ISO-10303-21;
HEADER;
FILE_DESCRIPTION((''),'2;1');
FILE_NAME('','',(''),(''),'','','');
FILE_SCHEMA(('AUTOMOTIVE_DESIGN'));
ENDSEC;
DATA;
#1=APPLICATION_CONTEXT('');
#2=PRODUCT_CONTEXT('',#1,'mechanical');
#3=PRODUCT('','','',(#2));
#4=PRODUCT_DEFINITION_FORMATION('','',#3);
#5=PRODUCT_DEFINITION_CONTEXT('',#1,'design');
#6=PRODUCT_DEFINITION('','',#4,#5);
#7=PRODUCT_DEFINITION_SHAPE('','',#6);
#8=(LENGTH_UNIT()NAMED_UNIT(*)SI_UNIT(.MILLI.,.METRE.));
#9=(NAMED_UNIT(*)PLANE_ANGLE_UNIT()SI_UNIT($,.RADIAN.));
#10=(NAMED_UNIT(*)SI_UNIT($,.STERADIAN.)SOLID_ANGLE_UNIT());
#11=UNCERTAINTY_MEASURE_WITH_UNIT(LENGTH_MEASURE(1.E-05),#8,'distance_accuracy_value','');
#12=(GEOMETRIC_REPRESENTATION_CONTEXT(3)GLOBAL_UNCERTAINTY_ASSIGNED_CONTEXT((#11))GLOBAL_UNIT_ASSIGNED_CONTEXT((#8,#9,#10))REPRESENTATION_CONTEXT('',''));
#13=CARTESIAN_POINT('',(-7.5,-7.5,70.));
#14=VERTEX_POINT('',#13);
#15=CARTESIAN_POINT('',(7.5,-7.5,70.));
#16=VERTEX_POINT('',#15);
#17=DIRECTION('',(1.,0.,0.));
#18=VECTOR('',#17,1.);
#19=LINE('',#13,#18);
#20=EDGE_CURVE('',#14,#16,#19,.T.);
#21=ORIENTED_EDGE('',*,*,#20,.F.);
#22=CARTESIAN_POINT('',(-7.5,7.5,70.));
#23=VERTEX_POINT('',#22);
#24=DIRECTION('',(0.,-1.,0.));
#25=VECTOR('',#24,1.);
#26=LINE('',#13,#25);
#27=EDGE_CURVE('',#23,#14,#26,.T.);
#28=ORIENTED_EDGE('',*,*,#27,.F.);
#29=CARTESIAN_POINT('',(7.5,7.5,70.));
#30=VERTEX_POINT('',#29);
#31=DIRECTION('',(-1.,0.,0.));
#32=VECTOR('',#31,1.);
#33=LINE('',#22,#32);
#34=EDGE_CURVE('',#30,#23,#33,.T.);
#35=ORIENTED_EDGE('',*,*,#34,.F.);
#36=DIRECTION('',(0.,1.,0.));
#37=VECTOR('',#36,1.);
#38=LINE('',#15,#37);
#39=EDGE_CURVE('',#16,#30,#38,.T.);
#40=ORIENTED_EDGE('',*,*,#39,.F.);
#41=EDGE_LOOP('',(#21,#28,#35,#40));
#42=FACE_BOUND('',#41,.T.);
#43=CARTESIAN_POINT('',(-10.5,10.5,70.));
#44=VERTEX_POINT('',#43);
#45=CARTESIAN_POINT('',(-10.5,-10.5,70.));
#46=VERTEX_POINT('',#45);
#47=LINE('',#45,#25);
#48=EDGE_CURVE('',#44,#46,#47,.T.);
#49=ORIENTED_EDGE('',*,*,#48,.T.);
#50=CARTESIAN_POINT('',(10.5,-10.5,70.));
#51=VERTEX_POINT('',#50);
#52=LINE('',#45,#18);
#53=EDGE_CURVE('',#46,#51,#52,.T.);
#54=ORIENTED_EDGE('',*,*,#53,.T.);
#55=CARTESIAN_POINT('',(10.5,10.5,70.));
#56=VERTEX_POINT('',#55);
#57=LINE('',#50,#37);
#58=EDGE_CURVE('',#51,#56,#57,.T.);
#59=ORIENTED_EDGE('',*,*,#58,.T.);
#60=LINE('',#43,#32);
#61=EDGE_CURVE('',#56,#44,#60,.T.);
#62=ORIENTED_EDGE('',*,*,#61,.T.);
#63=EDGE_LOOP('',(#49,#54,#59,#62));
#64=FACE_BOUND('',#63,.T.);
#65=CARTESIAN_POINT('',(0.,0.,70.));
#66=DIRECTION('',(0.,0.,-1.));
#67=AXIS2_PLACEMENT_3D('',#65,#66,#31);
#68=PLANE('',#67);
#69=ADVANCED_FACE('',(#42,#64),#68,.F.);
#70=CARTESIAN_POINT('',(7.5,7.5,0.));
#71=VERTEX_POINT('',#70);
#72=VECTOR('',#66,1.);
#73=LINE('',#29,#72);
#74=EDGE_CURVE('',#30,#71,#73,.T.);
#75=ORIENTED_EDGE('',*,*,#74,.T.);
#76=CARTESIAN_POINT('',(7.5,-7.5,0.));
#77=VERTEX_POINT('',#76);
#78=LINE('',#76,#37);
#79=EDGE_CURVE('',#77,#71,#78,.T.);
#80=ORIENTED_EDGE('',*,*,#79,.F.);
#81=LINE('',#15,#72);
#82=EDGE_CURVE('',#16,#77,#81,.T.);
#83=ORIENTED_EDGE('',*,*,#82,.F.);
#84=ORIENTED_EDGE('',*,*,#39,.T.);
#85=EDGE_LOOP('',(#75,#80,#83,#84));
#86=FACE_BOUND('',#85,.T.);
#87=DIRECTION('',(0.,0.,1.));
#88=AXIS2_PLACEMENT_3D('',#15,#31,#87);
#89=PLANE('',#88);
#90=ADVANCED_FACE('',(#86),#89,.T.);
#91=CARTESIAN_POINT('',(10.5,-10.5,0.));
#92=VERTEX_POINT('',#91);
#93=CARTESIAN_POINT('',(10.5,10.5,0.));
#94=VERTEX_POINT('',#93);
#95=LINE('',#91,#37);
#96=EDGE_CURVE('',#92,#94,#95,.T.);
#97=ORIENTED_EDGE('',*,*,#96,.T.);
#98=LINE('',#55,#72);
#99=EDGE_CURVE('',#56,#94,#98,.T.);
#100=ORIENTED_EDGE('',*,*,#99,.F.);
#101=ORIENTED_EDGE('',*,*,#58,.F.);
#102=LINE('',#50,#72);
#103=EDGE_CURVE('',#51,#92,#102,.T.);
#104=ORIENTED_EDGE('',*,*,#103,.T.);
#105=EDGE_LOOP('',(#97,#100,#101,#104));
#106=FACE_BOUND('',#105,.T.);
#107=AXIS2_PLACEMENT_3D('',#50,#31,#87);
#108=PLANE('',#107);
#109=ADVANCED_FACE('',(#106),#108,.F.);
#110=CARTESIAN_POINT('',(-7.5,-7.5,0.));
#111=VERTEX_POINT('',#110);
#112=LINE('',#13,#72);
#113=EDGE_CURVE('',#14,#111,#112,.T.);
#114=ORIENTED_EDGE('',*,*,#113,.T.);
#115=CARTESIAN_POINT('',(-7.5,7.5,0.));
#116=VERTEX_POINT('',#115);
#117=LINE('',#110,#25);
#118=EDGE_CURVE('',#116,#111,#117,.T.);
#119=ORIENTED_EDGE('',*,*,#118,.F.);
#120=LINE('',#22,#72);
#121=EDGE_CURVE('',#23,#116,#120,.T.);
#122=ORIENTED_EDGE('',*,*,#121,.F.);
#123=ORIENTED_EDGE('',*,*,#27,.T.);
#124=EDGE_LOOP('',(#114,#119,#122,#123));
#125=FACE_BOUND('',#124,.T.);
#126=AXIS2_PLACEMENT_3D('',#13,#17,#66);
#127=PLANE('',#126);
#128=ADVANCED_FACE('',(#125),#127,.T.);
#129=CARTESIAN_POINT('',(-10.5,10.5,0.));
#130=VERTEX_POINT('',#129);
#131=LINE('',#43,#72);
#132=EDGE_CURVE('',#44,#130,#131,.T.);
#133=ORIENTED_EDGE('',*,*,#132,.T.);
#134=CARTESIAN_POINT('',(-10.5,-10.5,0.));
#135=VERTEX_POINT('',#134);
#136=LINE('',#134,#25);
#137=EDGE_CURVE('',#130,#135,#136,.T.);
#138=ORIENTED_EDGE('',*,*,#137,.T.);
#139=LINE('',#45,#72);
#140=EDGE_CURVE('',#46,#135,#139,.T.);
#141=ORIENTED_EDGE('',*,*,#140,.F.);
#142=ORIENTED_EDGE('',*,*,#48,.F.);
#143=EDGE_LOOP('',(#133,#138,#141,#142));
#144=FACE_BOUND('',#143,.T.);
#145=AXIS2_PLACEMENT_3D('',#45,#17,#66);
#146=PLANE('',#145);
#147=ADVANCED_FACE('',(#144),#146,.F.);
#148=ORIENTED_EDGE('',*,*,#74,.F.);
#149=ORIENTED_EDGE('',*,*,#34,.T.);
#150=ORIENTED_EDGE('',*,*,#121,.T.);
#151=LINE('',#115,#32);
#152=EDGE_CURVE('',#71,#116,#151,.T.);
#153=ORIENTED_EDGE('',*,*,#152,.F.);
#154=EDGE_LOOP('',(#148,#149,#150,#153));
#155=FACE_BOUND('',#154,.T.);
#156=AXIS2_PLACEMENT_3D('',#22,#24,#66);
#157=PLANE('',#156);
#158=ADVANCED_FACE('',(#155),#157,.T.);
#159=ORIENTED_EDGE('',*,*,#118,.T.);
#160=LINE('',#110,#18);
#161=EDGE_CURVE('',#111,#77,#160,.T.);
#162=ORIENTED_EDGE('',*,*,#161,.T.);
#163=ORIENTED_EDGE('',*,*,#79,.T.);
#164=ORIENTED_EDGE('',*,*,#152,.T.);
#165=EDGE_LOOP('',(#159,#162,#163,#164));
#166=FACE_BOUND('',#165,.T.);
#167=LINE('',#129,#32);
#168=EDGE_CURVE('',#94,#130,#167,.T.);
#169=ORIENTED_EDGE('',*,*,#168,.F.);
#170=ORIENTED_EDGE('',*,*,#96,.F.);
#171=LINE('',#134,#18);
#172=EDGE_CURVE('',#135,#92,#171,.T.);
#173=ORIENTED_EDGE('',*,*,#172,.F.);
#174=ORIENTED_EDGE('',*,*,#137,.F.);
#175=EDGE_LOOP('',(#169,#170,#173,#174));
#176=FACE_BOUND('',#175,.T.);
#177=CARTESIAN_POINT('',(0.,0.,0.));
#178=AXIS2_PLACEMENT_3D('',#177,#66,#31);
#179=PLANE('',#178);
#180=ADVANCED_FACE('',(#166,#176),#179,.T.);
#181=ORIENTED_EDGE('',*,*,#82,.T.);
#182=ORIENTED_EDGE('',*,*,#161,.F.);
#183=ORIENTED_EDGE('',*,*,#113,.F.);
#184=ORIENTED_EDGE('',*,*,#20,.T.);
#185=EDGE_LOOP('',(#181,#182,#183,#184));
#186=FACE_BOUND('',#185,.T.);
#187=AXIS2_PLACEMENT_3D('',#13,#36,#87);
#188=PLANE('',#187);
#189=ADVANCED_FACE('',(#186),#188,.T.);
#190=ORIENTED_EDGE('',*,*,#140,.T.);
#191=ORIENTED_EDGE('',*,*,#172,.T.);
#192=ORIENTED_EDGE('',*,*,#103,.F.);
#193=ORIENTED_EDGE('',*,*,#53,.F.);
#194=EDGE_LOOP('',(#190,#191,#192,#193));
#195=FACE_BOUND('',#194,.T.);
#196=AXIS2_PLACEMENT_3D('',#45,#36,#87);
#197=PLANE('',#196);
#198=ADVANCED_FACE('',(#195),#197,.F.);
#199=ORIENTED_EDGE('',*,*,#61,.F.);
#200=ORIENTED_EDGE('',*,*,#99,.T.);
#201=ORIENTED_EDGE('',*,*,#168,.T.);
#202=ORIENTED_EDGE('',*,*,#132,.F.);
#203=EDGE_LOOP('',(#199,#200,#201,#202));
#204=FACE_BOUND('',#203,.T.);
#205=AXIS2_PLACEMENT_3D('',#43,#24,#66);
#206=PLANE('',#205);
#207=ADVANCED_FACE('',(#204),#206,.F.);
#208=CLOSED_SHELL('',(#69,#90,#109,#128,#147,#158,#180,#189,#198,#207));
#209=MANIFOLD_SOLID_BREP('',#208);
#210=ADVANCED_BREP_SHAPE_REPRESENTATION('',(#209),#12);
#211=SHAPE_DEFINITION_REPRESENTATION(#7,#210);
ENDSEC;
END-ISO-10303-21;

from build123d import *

# Parameters (mm, degrees)
CROQUIS1_W              = 21
CROQUIS1_H              = 21
CROQUIS1_W_2            = 15
CROQUIS1_H_2            = 15
SALIENTE_EXTRUIR1_DEPTH = 70


with BuildPart() as part:
    # Croquis1 → Saliente-Extruir1 (new body)
    with BuildSketch(Plane.XY):
        Rectangle(CROQUIS1_W, CROQUIS1_H)
        Rectangle(CROQUIS1_W_2, CROQUIS1_H_2, mode=Mode.SUBTRACT)
    extrude(amount=SALIENTE_EXTRUIR1_DEPTH)


solid = part.part
